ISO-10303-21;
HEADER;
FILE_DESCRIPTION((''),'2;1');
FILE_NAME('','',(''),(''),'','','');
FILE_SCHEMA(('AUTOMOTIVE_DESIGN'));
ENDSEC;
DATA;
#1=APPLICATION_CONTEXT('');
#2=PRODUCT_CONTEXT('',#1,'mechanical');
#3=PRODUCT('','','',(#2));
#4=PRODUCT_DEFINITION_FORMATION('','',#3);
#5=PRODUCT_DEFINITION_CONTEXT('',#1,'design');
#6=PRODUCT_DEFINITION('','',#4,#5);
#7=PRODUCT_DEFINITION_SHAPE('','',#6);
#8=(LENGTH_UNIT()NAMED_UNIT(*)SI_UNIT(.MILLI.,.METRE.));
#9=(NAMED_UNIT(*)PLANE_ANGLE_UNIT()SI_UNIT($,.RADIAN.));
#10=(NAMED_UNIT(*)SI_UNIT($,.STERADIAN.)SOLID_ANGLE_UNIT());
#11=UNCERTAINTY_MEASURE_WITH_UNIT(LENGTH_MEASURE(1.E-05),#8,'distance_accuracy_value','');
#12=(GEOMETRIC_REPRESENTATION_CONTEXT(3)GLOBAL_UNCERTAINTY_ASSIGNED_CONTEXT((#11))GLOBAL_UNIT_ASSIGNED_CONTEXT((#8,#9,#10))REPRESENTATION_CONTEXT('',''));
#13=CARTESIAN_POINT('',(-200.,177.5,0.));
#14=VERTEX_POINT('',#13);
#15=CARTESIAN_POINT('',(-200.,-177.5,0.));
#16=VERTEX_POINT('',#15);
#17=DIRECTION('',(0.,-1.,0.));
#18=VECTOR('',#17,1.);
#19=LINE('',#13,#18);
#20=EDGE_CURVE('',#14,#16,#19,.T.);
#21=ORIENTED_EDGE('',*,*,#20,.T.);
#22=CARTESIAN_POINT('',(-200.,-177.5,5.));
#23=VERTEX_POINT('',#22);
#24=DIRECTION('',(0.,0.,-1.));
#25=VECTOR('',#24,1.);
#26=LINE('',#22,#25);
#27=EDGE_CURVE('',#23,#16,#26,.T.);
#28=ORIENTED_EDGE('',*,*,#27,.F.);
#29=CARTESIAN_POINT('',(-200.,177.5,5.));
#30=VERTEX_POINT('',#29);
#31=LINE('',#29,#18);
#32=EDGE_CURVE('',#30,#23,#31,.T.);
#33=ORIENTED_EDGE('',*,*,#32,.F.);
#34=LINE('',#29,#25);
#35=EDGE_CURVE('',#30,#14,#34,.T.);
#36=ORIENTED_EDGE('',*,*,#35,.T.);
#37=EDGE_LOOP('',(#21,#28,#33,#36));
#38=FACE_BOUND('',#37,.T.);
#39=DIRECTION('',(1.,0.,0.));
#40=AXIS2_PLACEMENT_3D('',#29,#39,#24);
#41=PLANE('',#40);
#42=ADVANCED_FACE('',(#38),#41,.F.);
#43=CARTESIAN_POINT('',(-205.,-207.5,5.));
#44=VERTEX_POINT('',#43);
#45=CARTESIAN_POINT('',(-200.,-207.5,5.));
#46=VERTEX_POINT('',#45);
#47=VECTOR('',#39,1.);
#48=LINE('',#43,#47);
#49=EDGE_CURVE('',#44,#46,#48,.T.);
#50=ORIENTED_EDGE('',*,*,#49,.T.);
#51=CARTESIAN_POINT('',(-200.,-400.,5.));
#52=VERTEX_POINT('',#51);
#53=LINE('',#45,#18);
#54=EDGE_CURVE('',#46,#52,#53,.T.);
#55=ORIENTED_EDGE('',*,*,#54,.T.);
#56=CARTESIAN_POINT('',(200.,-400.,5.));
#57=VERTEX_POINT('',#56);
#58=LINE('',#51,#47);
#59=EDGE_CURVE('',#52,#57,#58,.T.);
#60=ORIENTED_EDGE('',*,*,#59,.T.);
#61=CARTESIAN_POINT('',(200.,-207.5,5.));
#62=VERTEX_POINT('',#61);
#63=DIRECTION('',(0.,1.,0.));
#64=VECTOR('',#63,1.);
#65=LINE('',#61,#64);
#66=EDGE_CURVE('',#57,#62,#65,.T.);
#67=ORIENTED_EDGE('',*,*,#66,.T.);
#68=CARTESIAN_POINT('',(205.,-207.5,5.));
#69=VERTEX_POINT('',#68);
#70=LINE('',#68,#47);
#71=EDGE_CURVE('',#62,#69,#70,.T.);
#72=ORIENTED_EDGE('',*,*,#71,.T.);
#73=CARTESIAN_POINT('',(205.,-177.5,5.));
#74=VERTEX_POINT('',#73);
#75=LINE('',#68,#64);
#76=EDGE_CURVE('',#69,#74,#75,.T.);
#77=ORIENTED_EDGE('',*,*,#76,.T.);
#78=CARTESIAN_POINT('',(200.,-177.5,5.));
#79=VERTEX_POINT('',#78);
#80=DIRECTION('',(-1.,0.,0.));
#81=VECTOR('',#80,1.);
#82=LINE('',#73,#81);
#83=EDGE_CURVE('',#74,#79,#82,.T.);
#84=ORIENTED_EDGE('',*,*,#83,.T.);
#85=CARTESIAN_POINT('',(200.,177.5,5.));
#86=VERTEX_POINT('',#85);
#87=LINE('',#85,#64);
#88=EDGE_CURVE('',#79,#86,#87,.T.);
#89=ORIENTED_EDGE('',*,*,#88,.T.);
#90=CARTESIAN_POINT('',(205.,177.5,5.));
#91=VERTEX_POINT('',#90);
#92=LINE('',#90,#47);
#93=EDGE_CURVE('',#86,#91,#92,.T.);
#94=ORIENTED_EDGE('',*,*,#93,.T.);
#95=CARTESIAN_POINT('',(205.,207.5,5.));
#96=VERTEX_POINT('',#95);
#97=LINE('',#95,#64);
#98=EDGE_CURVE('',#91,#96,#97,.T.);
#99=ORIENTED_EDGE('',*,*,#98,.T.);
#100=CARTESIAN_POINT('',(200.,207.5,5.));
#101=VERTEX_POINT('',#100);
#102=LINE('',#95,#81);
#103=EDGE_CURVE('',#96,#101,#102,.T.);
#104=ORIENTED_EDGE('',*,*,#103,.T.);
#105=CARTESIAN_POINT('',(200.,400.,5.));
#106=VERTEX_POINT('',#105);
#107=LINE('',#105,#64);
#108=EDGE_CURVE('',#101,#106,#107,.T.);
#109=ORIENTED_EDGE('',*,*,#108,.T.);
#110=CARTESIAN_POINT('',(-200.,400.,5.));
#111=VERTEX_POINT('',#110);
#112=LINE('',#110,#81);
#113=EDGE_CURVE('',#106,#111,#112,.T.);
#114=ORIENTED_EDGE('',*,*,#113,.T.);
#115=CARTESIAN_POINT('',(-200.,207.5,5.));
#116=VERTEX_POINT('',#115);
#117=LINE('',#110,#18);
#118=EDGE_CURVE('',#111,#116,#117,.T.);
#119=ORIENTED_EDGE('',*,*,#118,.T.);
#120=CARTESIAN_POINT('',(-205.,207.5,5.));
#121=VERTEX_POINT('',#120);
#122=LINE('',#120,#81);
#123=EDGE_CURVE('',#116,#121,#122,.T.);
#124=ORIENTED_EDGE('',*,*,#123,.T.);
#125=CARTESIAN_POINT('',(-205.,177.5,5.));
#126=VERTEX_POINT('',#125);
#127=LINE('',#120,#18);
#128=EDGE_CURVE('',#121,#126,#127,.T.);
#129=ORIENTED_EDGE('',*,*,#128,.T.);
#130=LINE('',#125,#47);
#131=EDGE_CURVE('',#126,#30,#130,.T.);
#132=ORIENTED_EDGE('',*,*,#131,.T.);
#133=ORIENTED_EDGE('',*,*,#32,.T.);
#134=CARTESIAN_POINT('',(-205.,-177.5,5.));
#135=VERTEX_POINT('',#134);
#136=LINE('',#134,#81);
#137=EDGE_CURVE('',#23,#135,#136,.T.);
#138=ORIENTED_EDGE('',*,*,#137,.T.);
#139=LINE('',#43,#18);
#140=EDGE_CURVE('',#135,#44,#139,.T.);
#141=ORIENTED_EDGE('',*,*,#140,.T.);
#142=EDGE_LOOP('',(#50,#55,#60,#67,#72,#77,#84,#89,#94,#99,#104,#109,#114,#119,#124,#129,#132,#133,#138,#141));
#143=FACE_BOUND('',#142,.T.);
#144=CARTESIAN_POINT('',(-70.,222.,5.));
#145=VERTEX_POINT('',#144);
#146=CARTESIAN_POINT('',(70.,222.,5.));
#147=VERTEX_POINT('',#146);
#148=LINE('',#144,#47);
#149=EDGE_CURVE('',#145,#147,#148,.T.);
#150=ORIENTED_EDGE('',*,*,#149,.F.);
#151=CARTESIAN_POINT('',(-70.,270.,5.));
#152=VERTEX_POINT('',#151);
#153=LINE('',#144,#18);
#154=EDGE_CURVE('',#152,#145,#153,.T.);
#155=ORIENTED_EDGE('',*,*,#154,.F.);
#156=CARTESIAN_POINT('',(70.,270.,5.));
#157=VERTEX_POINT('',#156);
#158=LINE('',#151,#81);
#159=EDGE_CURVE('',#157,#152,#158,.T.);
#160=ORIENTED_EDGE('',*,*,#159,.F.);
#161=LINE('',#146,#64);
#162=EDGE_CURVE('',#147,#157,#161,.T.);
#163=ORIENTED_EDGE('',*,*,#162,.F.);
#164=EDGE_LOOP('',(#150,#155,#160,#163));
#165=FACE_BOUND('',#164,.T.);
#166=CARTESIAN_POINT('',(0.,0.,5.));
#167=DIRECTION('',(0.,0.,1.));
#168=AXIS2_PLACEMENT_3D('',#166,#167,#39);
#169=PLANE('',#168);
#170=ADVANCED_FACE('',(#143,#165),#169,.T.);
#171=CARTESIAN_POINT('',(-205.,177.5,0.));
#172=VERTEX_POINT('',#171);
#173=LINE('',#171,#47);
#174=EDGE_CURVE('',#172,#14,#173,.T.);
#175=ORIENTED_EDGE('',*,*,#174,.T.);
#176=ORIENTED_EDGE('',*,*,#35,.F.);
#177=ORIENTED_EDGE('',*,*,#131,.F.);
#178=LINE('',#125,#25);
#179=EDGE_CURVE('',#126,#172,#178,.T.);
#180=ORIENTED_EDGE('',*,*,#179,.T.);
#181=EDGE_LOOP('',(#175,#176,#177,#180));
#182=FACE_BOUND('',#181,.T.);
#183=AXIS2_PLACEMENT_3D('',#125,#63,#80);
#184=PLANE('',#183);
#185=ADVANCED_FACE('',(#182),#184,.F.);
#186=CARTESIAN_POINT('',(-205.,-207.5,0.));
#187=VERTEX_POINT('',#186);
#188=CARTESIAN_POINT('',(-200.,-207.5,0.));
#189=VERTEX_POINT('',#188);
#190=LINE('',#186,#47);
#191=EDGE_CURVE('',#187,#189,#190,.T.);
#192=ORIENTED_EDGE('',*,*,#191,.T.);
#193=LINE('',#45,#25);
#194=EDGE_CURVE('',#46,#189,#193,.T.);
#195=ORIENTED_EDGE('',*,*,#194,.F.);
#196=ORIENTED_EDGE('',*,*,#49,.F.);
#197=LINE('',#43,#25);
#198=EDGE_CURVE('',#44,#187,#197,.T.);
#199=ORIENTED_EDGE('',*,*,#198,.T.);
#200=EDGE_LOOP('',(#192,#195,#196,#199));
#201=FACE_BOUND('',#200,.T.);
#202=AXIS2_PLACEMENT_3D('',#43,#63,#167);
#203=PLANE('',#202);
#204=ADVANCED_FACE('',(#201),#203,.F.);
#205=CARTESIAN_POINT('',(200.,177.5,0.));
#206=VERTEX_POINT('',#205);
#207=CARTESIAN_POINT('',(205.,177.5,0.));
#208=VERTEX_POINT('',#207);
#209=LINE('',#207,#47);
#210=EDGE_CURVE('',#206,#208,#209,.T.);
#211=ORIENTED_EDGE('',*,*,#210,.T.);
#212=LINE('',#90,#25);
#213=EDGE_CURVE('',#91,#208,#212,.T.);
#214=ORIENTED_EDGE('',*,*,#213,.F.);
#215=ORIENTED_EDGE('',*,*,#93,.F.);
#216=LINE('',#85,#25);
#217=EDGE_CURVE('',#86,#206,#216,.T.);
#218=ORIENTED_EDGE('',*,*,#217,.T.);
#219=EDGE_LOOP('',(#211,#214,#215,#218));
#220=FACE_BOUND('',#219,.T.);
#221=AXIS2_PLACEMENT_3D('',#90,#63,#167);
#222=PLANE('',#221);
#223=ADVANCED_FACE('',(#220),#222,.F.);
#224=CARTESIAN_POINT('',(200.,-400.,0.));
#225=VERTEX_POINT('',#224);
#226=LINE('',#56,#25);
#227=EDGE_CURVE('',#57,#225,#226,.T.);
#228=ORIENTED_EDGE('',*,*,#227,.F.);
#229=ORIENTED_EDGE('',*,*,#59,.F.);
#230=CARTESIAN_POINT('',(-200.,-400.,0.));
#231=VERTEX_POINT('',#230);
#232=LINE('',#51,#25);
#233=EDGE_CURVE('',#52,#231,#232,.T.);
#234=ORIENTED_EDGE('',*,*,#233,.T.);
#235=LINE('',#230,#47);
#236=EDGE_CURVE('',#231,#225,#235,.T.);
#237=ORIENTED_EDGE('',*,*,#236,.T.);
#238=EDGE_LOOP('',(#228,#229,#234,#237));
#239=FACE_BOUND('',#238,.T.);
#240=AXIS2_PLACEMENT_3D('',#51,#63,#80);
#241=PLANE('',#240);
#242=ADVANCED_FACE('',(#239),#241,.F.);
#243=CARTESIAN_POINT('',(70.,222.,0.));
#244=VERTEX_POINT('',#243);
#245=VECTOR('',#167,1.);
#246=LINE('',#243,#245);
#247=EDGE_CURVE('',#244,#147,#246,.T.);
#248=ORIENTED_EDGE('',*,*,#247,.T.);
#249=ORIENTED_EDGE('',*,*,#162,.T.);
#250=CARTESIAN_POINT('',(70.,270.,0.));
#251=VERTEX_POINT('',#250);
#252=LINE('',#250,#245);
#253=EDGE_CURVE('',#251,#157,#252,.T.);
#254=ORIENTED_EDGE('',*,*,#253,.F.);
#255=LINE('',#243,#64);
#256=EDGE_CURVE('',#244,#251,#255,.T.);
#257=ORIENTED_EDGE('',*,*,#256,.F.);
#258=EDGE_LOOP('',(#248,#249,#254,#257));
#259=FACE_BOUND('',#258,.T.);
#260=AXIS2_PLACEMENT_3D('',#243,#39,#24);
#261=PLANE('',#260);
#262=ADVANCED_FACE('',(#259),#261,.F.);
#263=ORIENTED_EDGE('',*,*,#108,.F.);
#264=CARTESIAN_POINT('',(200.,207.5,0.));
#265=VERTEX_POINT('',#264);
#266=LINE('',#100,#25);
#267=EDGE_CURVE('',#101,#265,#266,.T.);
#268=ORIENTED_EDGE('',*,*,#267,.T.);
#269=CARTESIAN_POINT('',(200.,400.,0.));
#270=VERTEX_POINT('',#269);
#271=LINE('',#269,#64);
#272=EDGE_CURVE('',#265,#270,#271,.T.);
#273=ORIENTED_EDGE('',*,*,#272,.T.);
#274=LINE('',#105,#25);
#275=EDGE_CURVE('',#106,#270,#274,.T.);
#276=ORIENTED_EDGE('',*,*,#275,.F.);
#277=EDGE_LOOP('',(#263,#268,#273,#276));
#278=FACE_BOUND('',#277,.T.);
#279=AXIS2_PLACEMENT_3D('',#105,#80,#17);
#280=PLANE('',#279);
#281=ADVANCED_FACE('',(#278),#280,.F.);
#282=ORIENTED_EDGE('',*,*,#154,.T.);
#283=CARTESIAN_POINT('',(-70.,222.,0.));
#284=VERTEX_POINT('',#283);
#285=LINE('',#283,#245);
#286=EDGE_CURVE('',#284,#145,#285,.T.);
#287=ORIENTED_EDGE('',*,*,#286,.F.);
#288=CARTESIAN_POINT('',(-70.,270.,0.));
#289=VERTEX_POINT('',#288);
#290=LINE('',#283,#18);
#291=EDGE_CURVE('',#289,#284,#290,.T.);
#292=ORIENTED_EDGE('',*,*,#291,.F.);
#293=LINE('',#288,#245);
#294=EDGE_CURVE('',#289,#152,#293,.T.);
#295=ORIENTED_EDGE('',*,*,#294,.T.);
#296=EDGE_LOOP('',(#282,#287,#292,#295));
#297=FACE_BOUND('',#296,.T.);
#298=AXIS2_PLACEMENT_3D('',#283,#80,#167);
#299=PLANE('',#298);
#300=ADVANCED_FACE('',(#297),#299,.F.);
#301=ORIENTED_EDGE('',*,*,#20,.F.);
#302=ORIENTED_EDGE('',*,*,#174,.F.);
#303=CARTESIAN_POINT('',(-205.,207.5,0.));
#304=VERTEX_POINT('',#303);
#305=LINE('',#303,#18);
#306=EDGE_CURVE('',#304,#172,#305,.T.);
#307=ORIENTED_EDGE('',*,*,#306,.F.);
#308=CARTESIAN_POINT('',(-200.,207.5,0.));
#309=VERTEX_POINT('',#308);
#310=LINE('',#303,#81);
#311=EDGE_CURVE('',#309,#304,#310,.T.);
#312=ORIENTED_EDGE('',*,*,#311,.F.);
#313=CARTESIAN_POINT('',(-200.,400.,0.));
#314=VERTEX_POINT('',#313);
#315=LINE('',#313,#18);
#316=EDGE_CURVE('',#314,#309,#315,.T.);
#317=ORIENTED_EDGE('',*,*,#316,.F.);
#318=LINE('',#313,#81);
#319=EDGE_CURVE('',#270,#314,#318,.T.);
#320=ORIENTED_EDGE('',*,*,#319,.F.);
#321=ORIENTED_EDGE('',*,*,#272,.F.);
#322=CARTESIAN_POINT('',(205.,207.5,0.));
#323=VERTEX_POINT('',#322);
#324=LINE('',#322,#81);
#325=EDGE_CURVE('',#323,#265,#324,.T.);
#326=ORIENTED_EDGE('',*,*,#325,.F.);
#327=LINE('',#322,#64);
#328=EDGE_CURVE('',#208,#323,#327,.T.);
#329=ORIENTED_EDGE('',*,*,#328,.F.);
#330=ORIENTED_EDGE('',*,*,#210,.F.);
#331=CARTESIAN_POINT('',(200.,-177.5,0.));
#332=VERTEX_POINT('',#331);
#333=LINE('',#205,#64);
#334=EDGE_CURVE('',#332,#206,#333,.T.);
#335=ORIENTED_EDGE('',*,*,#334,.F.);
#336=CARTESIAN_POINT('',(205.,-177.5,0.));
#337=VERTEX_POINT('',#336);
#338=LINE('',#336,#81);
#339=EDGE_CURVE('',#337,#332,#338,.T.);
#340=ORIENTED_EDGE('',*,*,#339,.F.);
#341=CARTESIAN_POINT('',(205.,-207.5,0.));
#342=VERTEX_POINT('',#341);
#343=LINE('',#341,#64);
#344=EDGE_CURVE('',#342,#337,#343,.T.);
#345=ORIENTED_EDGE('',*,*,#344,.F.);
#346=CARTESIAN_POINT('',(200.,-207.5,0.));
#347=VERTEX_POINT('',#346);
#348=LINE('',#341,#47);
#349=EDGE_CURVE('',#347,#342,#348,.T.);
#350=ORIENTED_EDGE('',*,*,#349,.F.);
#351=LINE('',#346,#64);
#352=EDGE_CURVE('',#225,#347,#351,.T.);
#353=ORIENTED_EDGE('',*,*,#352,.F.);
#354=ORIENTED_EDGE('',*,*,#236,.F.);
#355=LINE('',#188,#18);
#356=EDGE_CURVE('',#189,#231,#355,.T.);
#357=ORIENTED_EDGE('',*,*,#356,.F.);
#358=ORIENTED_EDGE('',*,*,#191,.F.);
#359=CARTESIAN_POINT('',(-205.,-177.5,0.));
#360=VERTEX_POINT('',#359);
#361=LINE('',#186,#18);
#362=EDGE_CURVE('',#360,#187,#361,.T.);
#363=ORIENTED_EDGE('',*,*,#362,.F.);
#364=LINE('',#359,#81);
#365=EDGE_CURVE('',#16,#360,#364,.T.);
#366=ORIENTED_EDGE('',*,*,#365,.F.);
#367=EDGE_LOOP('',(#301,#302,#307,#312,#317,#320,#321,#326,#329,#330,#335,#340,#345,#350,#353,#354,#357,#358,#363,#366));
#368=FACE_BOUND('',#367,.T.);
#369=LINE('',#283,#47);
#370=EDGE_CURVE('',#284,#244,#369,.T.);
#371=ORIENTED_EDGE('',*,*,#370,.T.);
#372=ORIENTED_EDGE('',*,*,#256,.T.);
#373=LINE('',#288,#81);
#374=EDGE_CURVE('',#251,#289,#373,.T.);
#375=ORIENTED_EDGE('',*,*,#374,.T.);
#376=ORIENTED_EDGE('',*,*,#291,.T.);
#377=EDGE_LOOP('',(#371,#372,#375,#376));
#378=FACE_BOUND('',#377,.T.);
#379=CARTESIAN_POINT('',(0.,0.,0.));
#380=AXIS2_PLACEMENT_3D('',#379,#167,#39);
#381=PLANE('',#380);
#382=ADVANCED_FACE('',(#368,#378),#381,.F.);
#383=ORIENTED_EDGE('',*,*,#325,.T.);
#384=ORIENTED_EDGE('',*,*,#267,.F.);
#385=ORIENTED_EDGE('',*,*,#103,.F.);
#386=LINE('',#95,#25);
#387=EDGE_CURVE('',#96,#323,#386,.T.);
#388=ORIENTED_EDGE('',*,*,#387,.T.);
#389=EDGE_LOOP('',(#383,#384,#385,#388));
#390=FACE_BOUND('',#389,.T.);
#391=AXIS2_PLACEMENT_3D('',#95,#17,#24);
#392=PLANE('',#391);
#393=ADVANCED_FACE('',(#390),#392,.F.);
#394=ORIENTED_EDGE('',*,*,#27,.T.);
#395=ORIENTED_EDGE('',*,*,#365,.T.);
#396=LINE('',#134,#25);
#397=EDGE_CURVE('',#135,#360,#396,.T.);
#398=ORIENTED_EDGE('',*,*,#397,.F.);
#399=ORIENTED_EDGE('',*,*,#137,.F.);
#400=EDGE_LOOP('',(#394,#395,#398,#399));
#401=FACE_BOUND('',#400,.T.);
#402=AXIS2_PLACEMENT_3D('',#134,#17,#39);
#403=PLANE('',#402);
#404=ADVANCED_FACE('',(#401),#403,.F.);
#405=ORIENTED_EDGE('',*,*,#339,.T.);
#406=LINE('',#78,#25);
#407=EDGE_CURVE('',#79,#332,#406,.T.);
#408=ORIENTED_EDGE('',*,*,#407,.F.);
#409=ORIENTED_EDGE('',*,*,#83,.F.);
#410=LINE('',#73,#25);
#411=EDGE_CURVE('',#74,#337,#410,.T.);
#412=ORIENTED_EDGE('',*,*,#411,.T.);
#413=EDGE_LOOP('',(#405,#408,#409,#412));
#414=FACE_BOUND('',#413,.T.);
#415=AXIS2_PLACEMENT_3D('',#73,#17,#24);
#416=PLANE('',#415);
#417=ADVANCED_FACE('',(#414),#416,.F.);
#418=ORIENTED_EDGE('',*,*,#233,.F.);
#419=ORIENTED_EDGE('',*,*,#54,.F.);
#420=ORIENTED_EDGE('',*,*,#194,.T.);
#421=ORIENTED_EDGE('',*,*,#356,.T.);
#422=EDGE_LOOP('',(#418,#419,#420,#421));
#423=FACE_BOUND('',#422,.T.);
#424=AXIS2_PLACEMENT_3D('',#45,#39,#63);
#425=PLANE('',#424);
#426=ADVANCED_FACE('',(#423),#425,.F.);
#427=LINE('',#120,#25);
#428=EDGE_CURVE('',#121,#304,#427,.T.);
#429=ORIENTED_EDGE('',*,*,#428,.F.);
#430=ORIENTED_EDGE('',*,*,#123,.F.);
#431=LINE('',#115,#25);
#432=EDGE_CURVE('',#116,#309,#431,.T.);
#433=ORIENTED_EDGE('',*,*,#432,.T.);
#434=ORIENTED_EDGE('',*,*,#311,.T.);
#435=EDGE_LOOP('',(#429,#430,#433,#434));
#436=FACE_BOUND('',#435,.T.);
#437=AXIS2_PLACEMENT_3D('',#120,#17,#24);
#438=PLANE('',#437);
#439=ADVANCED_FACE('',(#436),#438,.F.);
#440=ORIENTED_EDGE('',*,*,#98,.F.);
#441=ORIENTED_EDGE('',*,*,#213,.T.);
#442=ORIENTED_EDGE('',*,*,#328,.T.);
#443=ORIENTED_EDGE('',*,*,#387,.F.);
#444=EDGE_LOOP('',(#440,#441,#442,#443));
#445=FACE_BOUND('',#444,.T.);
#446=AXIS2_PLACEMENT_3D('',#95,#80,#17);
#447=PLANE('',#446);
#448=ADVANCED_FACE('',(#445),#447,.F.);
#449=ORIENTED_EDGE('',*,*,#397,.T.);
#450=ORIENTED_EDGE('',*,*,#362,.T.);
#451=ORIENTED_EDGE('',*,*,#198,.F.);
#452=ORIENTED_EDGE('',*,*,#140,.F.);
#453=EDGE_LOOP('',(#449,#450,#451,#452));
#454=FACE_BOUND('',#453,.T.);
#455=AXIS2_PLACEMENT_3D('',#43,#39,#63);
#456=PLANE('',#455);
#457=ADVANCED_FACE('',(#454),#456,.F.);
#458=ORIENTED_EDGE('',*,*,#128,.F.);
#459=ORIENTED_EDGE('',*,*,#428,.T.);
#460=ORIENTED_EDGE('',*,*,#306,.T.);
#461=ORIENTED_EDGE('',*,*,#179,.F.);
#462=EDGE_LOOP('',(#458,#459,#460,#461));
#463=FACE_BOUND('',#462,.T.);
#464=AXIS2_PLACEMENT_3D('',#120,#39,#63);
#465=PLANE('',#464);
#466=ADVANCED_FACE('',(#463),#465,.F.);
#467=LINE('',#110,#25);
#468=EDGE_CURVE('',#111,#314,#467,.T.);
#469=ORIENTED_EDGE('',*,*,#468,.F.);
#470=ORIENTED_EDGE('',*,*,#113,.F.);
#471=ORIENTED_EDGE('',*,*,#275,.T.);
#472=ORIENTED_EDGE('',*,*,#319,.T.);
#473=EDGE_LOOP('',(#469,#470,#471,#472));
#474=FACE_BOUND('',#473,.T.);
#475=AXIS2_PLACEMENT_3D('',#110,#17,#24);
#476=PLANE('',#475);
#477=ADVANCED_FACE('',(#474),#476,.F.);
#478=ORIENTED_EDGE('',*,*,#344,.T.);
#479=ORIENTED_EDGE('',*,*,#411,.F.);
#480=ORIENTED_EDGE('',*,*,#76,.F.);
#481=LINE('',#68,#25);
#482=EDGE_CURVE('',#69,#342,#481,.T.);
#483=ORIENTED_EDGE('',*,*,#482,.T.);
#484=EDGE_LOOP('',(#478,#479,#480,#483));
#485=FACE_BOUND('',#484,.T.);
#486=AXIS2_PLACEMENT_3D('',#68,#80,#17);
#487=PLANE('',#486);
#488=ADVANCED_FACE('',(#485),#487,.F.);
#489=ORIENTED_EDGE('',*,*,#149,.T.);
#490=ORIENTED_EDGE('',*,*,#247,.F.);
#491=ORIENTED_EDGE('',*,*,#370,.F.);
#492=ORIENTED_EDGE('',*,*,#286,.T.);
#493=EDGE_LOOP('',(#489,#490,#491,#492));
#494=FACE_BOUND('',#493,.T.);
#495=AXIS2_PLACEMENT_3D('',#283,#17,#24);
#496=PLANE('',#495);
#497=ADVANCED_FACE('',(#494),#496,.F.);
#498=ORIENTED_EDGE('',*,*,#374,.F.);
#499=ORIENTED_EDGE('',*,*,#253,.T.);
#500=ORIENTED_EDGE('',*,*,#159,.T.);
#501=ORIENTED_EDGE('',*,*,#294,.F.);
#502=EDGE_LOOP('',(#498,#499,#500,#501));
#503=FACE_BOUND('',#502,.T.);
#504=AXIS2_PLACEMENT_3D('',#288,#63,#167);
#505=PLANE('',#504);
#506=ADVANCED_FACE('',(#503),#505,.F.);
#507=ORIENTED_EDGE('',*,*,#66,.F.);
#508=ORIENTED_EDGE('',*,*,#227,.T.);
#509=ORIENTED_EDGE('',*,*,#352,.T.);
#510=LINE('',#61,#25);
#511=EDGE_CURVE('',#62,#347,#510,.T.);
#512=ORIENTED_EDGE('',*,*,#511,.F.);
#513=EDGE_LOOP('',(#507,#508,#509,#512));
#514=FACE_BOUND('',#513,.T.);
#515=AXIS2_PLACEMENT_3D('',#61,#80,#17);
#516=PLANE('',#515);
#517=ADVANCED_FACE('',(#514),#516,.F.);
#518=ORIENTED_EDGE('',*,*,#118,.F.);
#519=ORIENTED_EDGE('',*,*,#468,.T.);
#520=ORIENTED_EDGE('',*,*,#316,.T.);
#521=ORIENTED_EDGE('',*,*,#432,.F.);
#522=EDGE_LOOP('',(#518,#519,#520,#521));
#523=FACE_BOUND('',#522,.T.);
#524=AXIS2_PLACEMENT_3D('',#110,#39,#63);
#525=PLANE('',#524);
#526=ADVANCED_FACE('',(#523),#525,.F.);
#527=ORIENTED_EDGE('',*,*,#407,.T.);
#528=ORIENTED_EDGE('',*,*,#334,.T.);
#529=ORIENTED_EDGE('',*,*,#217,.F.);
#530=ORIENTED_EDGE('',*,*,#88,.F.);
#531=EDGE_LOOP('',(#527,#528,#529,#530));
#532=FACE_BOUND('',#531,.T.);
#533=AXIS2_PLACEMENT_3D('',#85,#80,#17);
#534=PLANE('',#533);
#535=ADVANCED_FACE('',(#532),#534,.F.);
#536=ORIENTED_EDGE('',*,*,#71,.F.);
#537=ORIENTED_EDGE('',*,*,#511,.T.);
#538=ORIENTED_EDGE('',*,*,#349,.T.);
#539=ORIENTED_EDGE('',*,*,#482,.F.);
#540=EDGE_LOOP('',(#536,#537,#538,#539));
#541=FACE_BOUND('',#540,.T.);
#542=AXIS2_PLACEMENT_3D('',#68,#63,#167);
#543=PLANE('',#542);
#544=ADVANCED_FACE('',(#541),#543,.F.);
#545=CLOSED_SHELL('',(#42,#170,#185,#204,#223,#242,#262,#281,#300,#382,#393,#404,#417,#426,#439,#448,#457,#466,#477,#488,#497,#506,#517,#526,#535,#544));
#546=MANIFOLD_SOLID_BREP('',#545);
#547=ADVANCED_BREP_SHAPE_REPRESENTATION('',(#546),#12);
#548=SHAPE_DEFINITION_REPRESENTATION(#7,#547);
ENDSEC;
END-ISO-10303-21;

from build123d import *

# Parameters (mm, degrees)
BOSS_EXTRU_1_DEPTH      = 5
ESQUISSE2_W             = 140
ESQUISSE2_H             = 48
ENL_V_MAT_EXTRU_1_DEPTH = 450.499721913


with BuildPart() as part:
    # Esquisse1 → Boss.-Extru.1 (new body)
    with BuildSketch(Plane.XY):
        Polygon((-200, 400), (200, 400), (200, 207.5), (205, 207.5), (205, 177.5), (200, 177.5), (200, -177.5), (205, -177.5), (205, -207.5), (200, -207.5), (200, -400), (-200, -400), (-200, -207.5), (-205, -207.5), (-205, -177.5), (-200, -177.5), (-200, 177.5), (-205, 177.5), (-205, 207.5), (-200, 207.5), align=None)
    extrude(amount=BOSS_EXTRU_1_DEPTH)

    # Esquisse2 → Enlèv. mat.-Extru.1 (cut, through all)
    with BuildSketch(Plane.XY.offset(5)):
        with Locations((0, 246)):
            Rectangle(ESQUISSE2_W, ESQUISSE2_H)
    extrude(amount=-ENL_V_MAT_EXTRU_1_DEPTH, mode=Mode.SUBTRACT)


solid = part.part
